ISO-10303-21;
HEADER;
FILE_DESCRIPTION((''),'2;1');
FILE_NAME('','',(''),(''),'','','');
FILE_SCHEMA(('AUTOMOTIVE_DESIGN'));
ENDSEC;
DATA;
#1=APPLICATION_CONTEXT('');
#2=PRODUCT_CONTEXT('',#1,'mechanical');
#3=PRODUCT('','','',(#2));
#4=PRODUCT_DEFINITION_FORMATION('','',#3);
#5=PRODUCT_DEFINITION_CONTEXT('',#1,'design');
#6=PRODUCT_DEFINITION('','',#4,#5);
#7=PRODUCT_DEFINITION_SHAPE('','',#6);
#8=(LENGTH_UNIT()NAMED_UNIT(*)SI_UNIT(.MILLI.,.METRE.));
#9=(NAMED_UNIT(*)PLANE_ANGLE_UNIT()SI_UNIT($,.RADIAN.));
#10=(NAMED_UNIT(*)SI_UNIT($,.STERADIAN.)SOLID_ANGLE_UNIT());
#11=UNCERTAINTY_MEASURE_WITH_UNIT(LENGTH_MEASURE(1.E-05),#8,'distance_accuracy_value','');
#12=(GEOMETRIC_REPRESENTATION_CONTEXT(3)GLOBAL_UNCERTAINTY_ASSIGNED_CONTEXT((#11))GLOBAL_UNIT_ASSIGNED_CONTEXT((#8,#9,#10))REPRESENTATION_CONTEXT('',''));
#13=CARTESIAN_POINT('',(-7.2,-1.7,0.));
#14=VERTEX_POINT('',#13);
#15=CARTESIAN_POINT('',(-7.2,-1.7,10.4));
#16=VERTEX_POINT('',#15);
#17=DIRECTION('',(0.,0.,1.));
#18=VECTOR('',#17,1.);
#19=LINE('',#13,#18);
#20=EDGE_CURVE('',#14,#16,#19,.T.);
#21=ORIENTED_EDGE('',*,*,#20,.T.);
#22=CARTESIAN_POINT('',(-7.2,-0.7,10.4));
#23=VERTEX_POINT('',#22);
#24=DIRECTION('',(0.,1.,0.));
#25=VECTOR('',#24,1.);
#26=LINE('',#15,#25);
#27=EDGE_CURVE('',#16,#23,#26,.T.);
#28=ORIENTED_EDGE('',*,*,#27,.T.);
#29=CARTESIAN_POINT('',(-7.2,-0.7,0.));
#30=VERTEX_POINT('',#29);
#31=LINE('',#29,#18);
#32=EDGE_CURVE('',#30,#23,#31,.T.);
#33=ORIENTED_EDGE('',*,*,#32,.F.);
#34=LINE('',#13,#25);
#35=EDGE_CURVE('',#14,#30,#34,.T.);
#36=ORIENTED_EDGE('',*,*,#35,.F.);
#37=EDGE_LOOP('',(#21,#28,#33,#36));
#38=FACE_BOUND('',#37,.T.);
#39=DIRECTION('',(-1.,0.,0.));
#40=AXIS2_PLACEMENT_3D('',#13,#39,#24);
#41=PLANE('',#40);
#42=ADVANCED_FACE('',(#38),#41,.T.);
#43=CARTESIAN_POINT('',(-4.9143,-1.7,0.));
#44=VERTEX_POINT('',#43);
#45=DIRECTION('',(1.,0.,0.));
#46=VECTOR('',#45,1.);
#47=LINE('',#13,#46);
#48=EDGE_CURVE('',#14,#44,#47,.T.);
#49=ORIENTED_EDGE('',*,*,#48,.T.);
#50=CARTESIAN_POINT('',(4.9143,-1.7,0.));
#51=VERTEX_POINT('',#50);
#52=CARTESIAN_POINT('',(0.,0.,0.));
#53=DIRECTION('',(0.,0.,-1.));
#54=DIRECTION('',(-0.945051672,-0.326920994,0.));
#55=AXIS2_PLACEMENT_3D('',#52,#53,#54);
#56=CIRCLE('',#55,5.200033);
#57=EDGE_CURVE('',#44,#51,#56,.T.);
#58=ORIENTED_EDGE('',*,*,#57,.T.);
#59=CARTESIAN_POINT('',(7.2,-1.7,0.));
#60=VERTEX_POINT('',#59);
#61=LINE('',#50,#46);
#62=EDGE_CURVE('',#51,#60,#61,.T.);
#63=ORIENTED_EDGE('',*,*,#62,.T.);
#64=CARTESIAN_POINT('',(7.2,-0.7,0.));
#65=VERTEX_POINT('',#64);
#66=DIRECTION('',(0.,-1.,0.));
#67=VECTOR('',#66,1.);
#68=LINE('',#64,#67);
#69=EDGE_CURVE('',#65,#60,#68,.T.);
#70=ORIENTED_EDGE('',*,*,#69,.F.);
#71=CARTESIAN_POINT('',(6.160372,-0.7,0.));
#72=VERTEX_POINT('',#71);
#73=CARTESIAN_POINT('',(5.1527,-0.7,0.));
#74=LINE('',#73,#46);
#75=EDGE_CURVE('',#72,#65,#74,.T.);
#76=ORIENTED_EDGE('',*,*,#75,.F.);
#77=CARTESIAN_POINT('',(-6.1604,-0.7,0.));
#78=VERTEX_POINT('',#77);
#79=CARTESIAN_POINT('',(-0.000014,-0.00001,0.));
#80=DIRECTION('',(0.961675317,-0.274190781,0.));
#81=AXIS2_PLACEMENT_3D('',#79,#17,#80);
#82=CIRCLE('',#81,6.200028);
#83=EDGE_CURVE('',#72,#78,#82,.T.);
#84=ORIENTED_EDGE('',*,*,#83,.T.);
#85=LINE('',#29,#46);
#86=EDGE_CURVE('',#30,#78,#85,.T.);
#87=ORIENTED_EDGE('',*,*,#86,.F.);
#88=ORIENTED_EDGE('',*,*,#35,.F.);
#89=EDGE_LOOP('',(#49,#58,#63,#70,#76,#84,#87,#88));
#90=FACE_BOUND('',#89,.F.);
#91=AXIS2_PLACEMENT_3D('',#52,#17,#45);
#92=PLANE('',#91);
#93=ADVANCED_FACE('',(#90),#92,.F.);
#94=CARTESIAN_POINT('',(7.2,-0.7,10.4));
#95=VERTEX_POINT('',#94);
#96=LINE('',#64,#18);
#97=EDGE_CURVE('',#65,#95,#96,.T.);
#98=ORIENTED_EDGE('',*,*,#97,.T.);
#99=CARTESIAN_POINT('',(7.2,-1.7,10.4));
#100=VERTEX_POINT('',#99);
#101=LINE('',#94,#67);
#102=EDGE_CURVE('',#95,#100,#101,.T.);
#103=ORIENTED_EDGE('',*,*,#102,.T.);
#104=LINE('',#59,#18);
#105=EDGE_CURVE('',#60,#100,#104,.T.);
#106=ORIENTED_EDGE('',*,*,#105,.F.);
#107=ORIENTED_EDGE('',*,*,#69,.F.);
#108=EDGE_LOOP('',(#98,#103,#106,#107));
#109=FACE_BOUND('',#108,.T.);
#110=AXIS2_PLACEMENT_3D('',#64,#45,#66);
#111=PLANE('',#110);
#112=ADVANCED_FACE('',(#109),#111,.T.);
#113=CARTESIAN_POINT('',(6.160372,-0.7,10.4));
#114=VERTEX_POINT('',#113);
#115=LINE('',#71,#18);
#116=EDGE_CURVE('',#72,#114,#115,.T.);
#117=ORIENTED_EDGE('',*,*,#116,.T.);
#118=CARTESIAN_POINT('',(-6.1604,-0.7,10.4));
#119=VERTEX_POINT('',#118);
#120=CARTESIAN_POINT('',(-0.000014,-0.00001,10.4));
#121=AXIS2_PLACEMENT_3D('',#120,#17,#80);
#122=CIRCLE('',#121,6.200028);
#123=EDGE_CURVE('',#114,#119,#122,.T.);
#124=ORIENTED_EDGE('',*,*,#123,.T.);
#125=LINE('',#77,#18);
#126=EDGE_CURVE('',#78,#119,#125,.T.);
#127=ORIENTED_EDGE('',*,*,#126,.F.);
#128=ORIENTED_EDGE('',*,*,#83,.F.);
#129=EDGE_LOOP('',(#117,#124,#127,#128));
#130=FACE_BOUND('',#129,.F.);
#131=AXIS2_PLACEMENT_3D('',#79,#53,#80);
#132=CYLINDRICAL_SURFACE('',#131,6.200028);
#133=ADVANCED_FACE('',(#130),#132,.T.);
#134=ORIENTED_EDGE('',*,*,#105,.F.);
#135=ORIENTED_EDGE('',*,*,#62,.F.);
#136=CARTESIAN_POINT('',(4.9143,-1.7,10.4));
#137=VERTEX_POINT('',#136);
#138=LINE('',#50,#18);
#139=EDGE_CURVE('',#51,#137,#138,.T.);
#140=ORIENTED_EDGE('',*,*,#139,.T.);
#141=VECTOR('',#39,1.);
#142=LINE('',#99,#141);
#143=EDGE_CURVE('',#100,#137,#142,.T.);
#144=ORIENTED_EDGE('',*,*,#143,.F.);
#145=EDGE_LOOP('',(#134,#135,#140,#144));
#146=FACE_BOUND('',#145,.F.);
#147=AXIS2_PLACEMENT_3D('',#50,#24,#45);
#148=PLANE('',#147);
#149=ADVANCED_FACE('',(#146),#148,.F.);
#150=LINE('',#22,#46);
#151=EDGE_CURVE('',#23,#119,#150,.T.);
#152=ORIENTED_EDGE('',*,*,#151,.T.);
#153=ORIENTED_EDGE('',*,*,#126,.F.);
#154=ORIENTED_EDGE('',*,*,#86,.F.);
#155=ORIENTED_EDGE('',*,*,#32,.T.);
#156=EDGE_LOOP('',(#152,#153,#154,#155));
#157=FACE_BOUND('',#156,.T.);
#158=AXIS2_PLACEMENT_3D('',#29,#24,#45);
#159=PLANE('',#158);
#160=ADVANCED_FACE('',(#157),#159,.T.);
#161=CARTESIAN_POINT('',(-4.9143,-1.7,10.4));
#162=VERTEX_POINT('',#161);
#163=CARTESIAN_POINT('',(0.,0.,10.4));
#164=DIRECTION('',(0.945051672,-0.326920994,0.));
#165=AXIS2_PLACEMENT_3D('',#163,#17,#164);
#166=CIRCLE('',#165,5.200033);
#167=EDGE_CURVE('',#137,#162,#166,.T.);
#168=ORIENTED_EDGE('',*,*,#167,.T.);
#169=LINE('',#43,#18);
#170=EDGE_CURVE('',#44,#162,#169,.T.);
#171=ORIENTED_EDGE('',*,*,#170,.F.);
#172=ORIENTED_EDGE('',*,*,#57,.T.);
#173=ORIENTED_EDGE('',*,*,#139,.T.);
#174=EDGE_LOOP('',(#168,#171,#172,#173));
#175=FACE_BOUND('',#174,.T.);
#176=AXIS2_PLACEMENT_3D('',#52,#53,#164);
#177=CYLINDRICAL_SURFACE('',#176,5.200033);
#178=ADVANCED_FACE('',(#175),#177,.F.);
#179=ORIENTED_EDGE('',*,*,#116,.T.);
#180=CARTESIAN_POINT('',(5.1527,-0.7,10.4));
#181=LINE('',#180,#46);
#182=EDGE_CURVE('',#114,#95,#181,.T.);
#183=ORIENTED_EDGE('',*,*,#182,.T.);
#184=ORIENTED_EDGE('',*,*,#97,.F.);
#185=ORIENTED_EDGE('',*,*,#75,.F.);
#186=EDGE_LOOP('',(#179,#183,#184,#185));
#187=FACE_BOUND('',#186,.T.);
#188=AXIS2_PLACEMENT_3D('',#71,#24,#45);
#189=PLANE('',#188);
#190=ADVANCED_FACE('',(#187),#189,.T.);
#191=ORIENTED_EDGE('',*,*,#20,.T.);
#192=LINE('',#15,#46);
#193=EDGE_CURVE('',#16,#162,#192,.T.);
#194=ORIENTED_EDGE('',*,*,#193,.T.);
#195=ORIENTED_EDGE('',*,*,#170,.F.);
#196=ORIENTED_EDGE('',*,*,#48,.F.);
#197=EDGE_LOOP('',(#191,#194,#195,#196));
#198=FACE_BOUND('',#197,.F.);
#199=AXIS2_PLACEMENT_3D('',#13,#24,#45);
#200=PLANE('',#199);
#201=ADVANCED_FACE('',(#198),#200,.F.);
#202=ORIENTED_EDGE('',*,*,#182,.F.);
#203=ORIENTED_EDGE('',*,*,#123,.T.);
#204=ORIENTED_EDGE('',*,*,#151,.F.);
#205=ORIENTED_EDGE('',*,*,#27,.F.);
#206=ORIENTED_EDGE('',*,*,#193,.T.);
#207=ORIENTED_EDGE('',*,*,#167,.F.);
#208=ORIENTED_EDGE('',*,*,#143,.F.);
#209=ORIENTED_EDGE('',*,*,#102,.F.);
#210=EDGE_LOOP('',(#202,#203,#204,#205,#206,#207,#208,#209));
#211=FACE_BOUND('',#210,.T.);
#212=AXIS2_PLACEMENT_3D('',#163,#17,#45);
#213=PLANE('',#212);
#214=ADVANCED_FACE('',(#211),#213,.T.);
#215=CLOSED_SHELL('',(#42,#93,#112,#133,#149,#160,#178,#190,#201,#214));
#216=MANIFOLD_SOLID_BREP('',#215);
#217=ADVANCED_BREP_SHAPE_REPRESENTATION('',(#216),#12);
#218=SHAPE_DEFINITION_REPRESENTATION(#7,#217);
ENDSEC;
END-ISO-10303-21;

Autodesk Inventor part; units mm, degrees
ref_plane "YZ Plane" through (0, 0, 0) normal (1, 0, 0) x (0, 1, 0)
ref_plane "XZ Plane" through (0, 0, 0) normal (0, 1, 0) x (-1, 0, 0)
ref_plane "XY Plane" through (0, 0, 0) normal (0, 0, 1) x (1, 0, 0)
sketch "스케치1" plane through (0, 0, 0) normal (0, 0, 1) x (1, 0, 0)
  arc A0 (4.9143, -1.7) -> (-4.9143, -1.7) centre (0, 0) ccw
  line L0 (-7.2, -1.7) -> (-7.2, -0.7)
  line L1 (7.2, -0.7) -> (7.2, -1.7)
  arc A1 (5.9624, -1.7) -> (-6.1604, -0.7) centre (0, 0) ccw
  line L2 (-7.2, -1.7) -> (-4.9143, -1.7)
  line L3 (4.9143, -1.7) -> (7.2, -1.7)
  line L4 (-7.2, -0.7) -> (-5.1527, -0.7)
  line L5 (5.1527, -0.7) -> (7.2, -0.7)
  point P0 (0, -0.7)
  point P1 (6.1604, -0.7)
  dimension "d0" = 10.4
  dimension "d1" = 1
  dimension "d2" = 0.7
  dimension "d3" = 2
  dimension "d4" = 1
extrude "돌출1" add sketch "스케치1" along normal blind 10.4
properties part number "rotion_stopper" material "고무, 검은색"
